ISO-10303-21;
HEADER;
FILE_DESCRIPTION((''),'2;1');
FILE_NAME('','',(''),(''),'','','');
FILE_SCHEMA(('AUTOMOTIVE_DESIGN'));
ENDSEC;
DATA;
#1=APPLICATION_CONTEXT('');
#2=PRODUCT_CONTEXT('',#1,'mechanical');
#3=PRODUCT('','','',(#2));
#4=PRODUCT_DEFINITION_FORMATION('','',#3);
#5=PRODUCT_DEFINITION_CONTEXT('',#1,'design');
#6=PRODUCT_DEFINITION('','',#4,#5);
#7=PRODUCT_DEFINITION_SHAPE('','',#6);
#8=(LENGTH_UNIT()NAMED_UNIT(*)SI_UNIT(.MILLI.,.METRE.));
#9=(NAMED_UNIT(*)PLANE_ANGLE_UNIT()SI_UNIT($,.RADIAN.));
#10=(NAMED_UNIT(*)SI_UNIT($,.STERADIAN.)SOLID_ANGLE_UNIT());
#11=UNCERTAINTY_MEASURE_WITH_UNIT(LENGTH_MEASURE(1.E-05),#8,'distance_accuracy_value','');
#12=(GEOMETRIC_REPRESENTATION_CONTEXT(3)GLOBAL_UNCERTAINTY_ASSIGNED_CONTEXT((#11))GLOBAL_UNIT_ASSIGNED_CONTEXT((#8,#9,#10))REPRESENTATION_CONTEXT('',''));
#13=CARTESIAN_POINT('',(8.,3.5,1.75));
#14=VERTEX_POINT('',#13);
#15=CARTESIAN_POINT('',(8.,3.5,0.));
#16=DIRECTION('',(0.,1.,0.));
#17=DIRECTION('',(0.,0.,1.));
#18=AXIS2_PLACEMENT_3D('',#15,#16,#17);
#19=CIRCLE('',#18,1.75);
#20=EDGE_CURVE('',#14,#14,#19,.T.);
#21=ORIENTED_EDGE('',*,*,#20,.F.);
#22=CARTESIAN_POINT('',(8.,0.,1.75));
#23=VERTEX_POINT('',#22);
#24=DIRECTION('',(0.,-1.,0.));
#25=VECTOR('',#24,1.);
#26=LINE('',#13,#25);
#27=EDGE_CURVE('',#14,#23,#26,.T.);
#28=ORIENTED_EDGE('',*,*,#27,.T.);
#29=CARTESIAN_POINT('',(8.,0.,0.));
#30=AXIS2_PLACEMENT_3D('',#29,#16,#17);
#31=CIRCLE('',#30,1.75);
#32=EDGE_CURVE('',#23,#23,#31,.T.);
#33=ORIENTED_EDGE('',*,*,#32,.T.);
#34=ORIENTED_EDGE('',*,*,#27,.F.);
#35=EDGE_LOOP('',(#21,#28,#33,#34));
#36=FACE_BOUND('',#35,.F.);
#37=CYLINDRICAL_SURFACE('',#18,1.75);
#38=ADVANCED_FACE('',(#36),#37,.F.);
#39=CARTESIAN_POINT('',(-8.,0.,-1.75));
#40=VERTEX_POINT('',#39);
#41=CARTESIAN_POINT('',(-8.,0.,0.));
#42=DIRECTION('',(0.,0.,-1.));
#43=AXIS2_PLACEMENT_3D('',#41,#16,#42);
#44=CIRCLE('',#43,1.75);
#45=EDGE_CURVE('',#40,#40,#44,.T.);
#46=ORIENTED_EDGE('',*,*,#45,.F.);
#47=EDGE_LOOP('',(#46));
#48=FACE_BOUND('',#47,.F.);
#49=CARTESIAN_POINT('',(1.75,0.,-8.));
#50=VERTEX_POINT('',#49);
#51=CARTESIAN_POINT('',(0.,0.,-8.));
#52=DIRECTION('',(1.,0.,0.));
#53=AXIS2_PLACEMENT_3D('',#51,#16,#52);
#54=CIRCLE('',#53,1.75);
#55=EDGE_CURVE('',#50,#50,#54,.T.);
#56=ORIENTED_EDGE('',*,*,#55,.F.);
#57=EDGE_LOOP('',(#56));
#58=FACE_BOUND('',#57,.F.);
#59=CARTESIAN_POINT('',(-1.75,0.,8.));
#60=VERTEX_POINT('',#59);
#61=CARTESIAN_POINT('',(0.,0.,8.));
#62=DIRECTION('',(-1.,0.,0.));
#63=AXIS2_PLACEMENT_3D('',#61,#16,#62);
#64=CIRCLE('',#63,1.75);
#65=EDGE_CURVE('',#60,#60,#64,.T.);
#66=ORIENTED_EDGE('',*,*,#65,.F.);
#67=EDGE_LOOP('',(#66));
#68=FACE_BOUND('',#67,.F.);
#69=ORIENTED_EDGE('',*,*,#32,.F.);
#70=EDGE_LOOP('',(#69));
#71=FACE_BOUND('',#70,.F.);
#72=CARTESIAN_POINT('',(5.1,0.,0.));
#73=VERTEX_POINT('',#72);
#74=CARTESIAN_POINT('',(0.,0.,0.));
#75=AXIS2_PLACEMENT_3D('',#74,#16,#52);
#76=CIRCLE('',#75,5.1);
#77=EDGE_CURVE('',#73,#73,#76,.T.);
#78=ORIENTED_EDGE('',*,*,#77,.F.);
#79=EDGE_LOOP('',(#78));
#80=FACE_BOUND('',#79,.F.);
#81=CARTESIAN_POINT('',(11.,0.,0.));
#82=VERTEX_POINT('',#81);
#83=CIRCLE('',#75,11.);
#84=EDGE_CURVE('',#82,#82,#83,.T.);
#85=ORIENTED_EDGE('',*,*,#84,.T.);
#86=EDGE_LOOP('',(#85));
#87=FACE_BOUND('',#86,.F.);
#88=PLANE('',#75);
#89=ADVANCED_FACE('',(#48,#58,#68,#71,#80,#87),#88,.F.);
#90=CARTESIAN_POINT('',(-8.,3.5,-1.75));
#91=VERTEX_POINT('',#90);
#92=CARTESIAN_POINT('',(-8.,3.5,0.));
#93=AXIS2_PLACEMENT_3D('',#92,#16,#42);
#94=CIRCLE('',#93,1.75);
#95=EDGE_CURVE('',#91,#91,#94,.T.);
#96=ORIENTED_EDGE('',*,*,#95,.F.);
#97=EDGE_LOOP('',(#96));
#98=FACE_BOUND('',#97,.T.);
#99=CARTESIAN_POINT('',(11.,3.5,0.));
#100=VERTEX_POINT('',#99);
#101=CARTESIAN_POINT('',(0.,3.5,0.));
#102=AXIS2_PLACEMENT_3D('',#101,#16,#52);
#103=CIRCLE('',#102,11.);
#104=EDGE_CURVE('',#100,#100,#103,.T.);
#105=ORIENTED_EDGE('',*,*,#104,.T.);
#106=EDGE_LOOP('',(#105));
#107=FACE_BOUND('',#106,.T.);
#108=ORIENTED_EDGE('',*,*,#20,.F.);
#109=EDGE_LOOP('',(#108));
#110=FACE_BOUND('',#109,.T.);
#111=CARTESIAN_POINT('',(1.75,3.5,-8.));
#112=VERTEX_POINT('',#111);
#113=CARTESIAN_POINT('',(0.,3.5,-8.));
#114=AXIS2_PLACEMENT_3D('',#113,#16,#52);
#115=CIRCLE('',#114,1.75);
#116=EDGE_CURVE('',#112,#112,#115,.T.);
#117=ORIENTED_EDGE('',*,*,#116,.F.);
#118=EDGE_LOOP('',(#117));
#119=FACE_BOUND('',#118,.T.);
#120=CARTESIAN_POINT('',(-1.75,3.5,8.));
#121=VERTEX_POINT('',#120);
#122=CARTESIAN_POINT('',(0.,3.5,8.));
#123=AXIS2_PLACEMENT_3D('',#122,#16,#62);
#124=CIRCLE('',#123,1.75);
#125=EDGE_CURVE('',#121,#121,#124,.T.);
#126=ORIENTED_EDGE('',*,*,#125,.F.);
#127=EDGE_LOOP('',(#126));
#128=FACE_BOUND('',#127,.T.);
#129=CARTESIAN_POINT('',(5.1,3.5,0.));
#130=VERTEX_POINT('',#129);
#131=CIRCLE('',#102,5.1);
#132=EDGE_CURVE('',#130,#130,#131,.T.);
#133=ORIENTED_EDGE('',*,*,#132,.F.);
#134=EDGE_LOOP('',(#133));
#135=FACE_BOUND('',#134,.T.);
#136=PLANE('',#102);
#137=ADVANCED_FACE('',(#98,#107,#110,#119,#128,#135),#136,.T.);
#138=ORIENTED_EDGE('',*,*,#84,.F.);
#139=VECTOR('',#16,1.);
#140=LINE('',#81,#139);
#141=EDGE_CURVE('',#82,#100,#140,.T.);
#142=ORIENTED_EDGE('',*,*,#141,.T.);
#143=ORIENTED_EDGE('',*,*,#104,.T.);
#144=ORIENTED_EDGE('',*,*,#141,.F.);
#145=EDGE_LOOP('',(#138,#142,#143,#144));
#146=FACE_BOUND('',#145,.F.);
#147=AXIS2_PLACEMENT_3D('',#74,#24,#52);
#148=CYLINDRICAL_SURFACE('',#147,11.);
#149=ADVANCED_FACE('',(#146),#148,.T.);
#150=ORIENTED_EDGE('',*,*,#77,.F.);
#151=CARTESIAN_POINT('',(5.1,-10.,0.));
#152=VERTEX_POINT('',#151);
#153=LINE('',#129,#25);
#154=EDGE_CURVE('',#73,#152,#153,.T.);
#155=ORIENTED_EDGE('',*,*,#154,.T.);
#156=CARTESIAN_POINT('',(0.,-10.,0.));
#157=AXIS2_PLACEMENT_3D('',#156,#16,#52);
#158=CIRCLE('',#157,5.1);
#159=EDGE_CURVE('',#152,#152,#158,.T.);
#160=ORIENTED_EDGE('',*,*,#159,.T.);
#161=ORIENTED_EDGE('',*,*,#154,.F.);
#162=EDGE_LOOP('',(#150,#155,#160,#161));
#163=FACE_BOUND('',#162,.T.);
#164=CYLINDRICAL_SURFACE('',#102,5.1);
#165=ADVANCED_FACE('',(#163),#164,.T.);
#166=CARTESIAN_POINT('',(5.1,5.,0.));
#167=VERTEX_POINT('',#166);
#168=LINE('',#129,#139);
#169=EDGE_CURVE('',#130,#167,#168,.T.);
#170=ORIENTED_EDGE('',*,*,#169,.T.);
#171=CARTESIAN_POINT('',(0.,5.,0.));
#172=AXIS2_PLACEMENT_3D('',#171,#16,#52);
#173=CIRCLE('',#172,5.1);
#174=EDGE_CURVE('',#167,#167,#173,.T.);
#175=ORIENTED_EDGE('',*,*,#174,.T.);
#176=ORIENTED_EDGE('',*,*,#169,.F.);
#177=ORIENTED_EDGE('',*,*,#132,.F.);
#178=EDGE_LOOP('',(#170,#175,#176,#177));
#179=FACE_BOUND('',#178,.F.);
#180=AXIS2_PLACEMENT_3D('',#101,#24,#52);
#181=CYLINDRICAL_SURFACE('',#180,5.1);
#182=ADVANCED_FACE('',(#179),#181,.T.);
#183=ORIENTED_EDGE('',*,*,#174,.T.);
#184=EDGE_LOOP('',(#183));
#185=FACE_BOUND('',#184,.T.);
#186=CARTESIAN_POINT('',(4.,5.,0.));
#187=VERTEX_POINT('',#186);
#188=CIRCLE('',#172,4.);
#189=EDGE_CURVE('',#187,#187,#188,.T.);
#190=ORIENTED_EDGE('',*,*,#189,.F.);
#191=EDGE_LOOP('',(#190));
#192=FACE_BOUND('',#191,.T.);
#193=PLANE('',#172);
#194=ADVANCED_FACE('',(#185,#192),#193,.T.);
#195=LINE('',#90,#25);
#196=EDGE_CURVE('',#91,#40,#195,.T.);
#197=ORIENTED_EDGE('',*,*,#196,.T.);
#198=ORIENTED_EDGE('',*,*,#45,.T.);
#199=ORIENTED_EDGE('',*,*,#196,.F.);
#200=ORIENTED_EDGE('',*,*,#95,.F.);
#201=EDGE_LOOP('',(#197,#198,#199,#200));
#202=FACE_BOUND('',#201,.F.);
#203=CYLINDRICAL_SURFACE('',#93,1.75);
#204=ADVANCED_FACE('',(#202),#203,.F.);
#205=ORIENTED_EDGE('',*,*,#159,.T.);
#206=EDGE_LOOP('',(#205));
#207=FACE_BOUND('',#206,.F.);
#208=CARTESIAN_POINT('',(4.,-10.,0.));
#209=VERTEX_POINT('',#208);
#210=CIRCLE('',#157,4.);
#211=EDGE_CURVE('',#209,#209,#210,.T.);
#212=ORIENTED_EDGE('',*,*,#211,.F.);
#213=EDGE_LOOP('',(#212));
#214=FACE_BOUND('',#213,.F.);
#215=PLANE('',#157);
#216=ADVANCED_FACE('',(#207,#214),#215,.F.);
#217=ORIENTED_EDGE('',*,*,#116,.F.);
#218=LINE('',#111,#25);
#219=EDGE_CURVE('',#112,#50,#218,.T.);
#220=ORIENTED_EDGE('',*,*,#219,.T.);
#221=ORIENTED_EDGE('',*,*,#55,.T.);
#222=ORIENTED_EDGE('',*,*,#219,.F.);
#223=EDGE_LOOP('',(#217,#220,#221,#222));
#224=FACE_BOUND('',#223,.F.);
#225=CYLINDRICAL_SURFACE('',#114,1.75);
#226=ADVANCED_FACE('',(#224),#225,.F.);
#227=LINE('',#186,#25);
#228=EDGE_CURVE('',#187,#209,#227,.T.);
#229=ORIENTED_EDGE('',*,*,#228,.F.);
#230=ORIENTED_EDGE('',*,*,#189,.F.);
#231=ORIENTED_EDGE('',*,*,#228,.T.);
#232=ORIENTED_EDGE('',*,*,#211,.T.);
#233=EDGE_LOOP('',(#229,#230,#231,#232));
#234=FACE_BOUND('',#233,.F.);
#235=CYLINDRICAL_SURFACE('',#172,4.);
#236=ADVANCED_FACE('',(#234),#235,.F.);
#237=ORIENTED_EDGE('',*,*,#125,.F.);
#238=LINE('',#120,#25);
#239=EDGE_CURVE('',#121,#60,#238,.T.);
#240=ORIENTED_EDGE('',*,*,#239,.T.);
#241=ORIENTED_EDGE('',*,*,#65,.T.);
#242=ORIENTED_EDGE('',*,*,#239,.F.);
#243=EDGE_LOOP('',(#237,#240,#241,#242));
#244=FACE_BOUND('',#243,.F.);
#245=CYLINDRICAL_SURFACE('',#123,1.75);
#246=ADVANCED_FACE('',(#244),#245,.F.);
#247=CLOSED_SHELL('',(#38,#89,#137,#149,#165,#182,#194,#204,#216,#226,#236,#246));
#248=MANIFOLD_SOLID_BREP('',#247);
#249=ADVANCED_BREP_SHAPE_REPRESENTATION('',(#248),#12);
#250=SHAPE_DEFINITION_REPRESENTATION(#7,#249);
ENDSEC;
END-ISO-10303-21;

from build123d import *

# Parameters (mm, degrees)
ESBO_O1_R                     = 11
RESSALTO_EXTRUS_O1_DEPTH      = 3.5
ESBO_O2_R                     = 5.1
RESSALTO_EXTRUS_O2_DEPTH      = 1.5
RESSALTO_EXTRUS_O2_DEPTH_BACK = 13.5
ESBO_O3_R                     = 4
CORTE_EXTRUS_O1_DEPTH         = 16
ESBO_O4_R                     = 1.75
CORTE_EXTRUS_O2_DEPTH         = 14.5
PADR_OCIRCULAR1_COUNT         = 4


with BuildPart() as part:
    # Esboço1 → Ressalto-extrusão1 (new body)
    with BuildSketch(Plane(origin=(0, 0, 0), x_dir=(1, 0, 0), z_dir=(0, 1, 0))):
        Circle(ESBO_O1_R)
    extrude(amount=RESSALTO_EXTRUS_O1_DEPTH)

    # Esboço2 → Ressalto-extrusão2 (add, two sides)
    with BuildSketch(Plane(origin=(0, 3.5, 0), x_dir=(1, 0, 0), z_dir=(0, 1, 0))) as ressalto_extrus_o2_sk:
        Circle(ESBO_O2_R)
    extrude(amount=RESSALTO_EXTRUS_O2_DEPTH)
    extrude(ressalto_extrus_o2_sk.sketch, amount=-RESSALTO_EXTRUS_O2_DEPTH_BACK)

    # Esboço3 → Corte-extrusão1 (cut, through all)
    with BuildSketch(Plane(origin=(0, 5, 0), x_dir=(1, 0, 0), z_dir=(0, 1, 0))):
        Circle(ESBO_O3_R)
    extrude(amount=-CORTE_EXTRUS_O1_DEPTH, mode=Mode.SUBTRACT)

    # Esboço4 → Corte-extrusão2 (cut, through all)
    with BuildSketch(Plane(origin=(0, 3.5, 0), x_dir=(1, 0, 0), z_dir=(0, 1, 0))):
        with Locations((0, 8)):
            Circle(ESBO_O4_R)
    corte_extrus_o2 = extrude(amount=-CORTE_EXTRUS_O2_DEPTH, mode=Mode.SUBTRACT)

    # PadrãoCircular1: Corte-extrusão2 ×4 about axis
    padr_ocircular1_axis = Axis((0, 0, 0), (0, 1, 0))
    for i in range(1, PADR_OCIRCULAR1_COUNT):
        add(corte_extrus_o2.rotate(padr_ocircular1_axis, i * 360 / PADR_OCIRCULAR1_COUNT), mode=Mode.SUBTRACT)


solid = part.part
